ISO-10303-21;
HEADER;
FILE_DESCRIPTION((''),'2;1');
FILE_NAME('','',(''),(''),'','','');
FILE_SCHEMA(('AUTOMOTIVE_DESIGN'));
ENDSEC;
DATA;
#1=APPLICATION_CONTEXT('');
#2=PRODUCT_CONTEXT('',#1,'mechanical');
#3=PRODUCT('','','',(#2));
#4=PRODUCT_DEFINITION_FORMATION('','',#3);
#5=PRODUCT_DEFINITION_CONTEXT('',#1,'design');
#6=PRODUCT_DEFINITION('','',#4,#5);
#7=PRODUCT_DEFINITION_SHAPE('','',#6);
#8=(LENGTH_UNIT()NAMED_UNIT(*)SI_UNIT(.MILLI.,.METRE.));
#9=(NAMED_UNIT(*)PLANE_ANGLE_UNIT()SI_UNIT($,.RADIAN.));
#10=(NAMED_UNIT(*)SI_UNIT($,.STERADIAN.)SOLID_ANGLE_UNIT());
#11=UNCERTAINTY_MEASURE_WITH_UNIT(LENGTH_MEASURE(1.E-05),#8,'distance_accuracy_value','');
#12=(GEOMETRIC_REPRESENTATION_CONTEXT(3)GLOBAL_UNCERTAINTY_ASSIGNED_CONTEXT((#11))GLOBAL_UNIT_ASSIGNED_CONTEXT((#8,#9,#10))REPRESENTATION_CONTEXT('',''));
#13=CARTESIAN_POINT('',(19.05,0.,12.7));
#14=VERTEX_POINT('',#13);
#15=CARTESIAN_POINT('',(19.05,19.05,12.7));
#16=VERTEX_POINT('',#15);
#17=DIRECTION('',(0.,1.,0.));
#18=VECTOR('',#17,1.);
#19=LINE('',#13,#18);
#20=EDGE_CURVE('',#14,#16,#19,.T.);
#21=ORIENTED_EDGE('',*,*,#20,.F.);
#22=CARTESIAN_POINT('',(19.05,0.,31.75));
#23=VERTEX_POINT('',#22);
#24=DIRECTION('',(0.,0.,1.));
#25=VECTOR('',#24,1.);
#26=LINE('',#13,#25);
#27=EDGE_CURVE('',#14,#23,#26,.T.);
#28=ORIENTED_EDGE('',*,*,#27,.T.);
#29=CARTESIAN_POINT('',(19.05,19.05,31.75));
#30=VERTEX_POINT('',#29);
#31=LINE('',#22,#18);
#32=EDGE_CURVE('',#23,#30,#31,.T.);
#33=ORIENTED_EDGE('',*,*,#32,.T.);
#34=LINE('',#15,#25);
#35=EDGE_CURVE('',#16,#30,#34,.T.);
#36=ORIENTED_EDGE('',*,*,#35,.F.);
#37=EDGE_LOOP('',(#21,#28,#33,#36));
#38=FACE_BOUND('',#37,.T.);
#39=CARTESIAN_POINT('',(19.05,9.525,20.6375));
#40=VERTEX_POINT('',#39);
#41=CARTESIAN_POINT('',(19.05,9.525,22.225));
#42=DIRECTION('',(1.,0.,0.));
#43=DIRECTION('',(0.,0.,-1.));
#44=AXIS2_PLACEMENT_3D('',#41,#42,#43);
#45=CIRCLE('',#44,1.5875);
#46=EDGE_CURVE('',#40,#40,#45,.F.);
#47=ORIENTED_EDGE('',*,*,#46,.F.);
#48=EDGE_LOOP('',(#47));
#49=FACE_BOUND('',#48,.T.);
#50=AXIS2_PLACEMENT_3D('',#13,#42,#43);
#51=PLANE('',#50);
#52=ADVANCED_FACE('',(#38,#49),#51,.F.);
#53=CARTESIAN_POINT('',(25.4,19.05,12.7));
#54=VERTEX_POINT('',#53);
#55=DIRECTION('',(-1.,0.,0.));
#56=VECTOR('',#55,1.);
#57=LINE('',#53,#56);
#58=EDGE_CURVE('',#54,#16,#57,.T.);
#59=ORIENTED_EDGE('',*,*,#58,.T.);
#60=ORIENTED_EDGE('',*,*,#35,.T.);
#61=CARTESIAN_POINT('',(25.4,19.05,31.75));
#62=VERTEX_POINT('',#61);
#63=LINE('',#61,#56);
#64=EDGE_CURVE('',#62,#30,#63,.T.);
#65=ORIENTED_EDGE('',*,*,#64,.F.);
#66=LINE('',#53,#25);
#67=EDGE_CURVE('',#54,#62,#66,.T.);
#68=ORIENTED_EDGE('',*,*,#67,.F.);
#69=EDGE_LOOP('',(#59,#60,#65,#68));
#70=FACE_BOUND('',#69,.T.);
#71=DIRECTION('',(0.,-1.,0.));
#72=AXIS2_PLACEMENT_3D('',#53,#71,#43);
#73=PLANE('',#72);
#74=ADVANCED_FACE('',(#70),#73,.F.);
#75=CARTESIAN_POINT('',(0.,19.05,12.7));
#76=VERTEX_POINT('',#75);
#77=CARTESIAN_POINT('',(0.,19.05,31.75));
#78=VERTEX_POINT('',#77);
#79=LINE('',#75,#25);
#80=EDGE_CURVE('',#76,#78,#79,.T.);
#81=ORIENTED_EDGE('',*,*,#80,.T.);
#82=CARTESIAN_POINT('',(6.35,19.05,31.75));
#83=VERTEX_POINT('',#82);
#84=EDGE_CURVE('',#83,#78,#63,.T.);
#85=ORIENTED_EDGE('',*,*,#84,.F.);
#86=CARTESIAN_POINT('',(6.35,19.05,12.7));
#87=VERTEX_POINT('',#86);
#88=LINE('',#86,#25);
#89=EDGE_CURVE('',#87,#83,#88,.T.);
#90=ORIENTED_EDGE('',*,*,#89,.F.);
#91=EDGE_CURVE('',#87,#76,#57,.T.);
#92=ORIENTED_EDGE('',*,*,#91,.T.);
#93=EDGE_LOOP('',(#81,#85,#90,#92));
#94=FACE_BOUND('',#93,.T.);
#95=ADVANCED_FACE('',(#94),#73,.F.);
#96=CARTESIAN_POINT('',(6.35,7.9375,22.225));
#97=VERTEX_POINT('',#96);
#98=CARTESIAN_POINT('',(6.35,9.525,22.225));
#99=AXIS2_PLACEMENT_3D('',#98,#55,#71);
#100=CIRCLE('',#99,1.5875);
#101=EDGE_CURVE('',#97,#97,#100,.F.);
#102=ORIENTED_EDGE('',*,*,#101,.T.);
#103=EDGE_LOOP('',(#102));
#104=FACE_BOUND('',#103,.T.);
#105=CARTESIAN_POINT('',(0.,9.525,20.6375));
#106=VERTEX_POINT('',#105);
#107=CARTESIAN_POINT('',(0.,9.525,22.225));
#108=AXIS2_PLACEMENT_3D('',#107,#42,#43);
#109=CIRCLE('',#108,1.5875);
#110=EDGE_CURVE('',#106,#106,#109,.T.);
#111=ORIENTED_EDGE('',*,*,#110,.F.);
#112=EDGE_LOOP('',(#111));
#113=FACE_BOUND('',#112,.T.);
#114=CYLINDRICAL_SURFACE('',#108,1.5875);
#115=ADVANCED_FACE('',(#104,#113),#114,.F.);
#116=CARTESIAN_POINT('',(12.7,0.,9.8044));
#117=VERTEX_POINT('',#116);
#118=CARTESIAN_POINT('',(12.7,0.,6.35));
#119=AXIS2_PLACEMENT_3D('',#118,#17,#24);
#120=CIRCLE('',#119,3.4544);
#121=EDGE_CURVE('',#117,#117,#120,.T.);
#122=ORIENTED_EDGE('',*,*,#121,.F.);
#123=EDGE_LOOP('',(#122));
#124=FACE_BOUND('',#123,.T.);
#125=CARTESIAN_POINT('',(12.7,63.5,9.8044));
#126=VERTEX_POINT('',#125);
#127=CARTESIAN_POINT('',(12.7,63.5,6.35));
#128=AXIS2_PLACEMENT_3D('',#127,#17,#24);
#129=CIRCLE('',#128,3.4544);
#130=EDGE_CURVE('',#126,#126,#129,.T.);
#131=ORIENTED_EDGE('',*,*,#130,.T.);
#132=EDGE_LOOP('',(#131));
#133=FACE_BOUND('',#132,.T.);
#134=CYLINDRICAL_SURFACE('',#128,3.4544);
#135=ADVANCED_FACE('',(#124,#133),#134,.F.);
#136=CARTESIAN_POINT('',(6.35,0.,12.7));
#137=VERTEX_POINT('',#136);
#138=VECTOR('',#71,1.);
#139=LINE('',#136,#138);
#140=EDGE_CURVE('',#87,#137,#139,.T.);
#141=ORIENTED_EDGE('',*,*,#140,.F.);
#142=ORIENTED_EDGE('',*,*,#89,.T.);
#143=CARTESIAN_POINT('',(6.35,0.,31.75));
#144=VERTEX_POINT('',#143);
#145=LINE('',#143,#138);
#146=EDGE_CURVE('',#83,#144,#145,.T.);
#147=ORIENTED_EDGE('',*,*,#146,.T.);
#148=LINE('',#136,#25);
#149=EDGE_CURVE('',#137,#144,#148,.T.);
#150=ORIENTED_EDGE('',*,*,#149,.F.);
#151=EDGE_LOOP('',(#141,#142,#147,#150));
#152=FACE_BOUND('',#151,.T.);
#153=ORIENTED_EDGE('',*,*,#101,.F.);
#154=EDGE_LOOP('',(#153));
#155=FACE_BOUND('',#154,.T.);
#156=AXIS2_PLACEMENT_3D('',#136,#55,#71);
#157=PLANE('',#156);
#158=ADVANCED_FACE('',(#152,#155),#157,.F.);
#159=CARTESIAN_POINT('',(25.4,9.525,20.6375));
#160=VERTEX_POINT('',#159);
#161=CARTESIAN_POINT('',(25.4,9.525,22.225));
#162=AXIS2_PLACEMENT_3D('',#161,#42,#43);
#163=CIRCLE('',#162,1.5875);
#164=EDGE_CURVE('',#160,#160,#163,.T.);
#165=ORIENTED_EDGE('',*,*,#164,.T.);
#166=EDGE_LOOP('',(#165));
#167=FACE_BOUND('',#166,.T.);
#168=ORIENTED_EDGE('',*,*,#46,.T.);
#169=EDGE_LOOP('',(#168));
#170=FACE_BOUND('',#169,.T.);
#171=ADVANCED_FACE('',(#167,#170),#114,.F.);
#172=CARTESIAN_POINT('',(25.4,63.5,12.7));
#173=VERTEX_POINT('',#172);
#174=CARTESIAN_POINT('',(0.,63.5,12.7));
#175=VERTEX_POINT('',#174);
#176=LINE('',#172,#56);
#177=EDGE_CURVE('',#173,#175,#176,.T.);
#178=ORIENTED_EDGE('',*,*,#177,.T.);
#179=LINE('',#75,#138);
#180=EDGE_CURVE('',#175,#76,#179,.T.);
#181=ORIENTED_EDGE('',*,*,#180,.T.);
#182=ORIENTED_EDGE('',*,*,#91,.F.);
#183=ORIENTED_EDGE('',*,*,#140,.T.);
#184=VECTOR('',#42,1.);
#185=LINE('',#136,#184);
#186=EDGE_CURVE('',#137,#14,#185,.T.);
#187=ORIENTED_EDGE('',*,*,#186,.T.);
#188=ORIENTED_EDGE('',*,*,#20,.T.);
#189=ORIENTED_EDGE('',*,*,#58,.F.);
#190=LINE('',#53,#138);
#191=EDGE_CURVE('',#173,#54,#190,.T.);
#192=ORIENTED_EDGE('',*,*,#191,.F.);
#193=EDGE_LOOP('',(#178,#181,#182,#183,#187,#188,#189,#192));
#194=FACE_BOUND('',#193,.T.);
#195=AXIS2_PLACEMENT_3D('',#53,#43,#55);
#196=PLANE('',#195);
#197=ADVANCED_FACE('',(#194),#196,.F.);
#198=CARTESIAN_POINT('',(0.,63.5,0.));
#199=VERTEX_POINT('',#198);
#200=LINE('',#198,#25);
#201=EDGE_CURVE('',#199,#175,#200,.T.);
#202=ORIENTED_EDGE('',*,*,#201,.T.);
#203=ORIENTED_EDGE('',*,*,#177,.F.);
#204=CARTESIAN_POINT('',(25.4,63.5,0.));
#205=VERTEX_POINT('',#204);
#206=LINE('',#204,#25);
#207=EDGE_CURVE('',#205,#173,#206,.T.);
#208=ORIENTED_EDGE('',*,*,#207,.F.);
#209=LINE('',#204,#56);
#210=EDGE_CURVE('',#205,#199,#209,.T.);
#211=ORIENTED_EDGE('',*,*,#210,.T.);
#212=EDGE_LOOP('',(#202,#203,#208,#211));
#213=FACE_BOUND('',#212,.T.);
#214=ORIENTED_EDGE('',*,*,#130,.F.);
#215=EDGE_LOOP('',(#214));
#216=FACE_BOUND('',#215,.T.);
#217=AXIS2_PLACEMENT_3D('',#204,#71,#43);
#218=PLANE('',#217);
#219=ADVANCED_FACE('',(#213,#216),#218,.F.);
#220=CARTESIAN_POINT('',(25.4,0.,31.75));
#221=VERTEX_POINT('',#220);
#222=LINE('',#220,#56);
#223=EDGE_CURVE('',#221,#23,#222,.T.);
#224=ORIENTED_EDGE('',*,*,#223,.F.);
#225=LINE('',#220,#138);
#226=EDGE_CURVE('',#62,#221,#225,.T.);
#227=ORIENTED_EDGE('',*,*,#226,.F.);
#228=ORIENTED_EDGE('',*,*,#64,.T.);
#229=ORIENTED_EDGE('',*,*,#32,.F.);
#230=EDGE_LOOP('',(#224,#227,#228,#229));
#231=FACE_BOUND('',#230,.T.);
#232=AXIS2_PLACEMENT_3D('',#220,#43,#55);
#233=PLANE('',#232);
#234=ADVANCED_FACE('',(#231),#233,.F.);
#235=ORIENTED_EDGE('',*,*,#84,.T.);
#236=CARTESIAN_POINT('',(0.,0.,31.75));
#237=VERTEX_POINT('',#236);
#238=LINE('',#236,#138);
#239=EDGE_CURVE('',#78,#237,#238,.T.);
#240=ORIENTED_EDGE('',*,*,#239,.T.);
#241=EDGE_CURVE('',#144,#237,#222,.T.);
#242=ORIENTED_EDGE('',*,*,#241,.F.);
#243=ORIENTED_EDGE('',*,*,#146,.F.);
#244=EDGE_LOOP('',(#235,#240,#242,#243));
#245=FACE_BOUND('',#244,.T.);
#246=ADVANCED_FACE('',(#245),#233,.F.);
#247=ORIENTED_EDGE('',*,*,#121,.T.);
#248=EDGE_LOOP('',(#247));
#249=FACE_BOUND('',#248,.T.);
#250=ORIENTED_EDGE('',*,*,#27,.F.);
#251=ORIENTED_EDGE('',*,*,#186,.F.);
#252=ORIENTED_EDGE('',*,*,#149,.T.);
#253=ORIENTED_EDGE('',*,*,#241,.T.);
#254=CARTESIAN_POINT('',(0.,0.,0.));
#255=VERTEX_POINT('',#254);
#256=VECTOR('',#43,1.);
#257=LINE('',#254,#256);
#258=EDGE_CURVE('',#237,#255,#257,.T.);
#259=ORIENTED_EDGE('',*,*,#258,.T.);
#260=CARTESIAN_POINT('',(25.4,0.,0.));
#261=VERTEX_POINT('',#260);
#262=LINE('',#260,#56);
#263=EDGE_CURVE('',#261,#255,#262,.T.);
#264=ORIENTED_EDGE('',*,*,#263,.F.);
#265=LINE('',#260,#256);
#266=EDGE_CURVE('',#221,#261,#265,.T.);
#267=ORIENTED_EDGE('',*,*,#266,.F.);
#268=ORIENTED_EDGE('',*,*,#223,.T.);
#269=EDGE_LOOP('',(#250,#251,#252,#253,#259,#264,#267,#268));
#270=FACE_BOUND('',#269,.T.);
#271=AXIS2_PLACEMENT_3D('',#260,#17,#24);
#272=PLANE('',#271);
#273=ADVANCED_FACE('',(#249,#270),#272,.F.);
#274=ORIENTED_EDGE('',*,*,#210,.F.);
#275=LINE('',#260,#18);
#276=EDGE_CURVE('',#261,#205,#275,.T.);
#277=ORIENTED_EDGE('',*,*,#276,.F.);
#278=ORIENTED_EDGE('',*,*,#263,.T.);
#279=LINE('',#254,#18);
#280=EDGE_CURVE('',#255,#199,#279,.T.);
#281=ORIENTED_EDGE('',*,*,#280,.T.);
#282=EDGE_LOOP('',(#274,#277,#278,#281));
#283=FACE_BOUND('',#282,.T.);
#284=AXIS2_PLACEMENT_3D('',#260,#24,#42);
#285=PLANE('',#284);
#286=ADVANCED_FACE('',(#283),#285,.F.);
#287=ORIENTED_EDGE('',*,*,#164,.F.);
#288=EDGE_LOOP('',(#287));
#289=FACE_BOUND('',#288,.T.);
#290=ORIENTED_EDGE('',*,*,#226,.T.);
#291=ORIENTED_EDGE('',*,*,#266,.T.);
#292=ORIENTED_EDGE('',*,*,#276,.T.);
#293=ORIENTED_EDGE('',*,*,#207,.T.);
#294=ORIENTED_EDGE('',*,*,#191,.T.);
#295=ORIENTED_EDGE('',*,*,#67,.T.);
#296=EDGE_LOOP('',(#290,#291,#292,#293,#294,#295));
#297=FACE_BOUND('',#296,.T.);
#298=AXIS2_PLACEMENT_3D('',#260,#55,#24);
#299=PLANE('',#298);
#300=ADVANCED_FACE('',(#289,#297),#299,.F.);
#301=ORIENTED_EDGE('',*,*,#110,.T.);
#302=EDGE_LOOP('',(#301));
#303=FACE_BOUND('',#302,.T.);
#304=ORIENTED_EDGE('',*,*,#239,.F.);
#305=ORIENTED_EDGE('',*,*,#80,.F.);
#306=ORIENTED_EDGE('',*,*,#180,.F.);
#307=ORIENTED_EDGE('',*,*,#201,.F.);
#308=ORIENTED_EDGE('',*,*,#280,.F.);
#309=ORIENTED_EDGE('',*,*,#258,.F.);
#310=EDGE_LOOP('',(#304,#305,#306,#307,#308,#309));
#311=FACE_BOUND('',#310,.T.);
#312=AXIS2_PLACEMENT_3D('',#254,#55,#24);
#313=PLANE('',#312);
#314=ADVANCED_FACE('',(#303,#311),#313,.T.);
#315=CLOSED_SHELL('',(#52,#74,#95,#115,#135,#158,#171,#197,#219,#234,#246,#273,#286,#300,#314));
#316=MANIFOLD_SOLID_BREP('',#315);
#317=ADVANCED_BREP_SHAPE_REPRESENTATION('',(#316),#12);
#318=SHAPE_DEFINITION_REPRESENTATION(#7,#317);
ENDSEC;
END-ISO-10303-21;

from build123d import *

# Parameters (mm, degrees)
BOSS_EXTRUDE1_DEPTH      = 25.4
SKETCH2_R                = 1.5875
CUT_EXTRUDE1_DEPTH       = 26.4
SKETCH3_W                = 12.7
SKETCH3_H                = 19.05
CUT_EXTRUDE2_DEPTH       = 19.05
F_5_16_24_TAPPED_HOLE1_D = 6.9088


with BuildPart() as part:
    # Sketch1 → Boss-Extrude1 (new body)
    with BuildSketch(Plane(origin=(0, 0, 0), x_dir=(0, 0, -1), z_dir=(1, 0, 0))):
        Polygon((0, 0), (0, 63.5), (-12.7, 63.5), (-12.7, 19.05), (-31.75, 19.05), (-31.75, 0), align=None)
    extrude(amount=BOSS_EXTRUDE1_DEPTH)

    # Sketch2 → Cut-Extrude1 (cut, through all)
    with BuildSketch(Plane(origin=(25.4, 0, 0), x_dir=(0, 0, -1), z_dir=(1, 0, 0))):
        with Locations((-22.225, 9.525)):
            Circle(SKETCH2_R)
    extrude(amount=-CUT_EXTRUDE1_DEPTH, mode=Mode.SUBTRACT)

    # Sketch3 → Cut-Extrude2 (cut)
    with BuildSketch(Plane.XY.offset(31.75)):
        with Locations((12.7, 9.525)):
            Rectangle(SKETCH3_W, SKETCH3_H)
    extrude(amount=-CUT_EXTRUDE2_DEPTH, mode=Mode.SUBTRACT)

    # 5/16-24 Tapped Hole1 (through all)
    with Locations(Plane(origin=(0, 63.5, 0), x_dir=(1, 0, 0), z_dir=(0, 1, 0))):
        with Locations((12.7, -6.35)):
            Hole(F_5_16_24_TAPPED_HOLE1_D / 2)


solid = part.part
